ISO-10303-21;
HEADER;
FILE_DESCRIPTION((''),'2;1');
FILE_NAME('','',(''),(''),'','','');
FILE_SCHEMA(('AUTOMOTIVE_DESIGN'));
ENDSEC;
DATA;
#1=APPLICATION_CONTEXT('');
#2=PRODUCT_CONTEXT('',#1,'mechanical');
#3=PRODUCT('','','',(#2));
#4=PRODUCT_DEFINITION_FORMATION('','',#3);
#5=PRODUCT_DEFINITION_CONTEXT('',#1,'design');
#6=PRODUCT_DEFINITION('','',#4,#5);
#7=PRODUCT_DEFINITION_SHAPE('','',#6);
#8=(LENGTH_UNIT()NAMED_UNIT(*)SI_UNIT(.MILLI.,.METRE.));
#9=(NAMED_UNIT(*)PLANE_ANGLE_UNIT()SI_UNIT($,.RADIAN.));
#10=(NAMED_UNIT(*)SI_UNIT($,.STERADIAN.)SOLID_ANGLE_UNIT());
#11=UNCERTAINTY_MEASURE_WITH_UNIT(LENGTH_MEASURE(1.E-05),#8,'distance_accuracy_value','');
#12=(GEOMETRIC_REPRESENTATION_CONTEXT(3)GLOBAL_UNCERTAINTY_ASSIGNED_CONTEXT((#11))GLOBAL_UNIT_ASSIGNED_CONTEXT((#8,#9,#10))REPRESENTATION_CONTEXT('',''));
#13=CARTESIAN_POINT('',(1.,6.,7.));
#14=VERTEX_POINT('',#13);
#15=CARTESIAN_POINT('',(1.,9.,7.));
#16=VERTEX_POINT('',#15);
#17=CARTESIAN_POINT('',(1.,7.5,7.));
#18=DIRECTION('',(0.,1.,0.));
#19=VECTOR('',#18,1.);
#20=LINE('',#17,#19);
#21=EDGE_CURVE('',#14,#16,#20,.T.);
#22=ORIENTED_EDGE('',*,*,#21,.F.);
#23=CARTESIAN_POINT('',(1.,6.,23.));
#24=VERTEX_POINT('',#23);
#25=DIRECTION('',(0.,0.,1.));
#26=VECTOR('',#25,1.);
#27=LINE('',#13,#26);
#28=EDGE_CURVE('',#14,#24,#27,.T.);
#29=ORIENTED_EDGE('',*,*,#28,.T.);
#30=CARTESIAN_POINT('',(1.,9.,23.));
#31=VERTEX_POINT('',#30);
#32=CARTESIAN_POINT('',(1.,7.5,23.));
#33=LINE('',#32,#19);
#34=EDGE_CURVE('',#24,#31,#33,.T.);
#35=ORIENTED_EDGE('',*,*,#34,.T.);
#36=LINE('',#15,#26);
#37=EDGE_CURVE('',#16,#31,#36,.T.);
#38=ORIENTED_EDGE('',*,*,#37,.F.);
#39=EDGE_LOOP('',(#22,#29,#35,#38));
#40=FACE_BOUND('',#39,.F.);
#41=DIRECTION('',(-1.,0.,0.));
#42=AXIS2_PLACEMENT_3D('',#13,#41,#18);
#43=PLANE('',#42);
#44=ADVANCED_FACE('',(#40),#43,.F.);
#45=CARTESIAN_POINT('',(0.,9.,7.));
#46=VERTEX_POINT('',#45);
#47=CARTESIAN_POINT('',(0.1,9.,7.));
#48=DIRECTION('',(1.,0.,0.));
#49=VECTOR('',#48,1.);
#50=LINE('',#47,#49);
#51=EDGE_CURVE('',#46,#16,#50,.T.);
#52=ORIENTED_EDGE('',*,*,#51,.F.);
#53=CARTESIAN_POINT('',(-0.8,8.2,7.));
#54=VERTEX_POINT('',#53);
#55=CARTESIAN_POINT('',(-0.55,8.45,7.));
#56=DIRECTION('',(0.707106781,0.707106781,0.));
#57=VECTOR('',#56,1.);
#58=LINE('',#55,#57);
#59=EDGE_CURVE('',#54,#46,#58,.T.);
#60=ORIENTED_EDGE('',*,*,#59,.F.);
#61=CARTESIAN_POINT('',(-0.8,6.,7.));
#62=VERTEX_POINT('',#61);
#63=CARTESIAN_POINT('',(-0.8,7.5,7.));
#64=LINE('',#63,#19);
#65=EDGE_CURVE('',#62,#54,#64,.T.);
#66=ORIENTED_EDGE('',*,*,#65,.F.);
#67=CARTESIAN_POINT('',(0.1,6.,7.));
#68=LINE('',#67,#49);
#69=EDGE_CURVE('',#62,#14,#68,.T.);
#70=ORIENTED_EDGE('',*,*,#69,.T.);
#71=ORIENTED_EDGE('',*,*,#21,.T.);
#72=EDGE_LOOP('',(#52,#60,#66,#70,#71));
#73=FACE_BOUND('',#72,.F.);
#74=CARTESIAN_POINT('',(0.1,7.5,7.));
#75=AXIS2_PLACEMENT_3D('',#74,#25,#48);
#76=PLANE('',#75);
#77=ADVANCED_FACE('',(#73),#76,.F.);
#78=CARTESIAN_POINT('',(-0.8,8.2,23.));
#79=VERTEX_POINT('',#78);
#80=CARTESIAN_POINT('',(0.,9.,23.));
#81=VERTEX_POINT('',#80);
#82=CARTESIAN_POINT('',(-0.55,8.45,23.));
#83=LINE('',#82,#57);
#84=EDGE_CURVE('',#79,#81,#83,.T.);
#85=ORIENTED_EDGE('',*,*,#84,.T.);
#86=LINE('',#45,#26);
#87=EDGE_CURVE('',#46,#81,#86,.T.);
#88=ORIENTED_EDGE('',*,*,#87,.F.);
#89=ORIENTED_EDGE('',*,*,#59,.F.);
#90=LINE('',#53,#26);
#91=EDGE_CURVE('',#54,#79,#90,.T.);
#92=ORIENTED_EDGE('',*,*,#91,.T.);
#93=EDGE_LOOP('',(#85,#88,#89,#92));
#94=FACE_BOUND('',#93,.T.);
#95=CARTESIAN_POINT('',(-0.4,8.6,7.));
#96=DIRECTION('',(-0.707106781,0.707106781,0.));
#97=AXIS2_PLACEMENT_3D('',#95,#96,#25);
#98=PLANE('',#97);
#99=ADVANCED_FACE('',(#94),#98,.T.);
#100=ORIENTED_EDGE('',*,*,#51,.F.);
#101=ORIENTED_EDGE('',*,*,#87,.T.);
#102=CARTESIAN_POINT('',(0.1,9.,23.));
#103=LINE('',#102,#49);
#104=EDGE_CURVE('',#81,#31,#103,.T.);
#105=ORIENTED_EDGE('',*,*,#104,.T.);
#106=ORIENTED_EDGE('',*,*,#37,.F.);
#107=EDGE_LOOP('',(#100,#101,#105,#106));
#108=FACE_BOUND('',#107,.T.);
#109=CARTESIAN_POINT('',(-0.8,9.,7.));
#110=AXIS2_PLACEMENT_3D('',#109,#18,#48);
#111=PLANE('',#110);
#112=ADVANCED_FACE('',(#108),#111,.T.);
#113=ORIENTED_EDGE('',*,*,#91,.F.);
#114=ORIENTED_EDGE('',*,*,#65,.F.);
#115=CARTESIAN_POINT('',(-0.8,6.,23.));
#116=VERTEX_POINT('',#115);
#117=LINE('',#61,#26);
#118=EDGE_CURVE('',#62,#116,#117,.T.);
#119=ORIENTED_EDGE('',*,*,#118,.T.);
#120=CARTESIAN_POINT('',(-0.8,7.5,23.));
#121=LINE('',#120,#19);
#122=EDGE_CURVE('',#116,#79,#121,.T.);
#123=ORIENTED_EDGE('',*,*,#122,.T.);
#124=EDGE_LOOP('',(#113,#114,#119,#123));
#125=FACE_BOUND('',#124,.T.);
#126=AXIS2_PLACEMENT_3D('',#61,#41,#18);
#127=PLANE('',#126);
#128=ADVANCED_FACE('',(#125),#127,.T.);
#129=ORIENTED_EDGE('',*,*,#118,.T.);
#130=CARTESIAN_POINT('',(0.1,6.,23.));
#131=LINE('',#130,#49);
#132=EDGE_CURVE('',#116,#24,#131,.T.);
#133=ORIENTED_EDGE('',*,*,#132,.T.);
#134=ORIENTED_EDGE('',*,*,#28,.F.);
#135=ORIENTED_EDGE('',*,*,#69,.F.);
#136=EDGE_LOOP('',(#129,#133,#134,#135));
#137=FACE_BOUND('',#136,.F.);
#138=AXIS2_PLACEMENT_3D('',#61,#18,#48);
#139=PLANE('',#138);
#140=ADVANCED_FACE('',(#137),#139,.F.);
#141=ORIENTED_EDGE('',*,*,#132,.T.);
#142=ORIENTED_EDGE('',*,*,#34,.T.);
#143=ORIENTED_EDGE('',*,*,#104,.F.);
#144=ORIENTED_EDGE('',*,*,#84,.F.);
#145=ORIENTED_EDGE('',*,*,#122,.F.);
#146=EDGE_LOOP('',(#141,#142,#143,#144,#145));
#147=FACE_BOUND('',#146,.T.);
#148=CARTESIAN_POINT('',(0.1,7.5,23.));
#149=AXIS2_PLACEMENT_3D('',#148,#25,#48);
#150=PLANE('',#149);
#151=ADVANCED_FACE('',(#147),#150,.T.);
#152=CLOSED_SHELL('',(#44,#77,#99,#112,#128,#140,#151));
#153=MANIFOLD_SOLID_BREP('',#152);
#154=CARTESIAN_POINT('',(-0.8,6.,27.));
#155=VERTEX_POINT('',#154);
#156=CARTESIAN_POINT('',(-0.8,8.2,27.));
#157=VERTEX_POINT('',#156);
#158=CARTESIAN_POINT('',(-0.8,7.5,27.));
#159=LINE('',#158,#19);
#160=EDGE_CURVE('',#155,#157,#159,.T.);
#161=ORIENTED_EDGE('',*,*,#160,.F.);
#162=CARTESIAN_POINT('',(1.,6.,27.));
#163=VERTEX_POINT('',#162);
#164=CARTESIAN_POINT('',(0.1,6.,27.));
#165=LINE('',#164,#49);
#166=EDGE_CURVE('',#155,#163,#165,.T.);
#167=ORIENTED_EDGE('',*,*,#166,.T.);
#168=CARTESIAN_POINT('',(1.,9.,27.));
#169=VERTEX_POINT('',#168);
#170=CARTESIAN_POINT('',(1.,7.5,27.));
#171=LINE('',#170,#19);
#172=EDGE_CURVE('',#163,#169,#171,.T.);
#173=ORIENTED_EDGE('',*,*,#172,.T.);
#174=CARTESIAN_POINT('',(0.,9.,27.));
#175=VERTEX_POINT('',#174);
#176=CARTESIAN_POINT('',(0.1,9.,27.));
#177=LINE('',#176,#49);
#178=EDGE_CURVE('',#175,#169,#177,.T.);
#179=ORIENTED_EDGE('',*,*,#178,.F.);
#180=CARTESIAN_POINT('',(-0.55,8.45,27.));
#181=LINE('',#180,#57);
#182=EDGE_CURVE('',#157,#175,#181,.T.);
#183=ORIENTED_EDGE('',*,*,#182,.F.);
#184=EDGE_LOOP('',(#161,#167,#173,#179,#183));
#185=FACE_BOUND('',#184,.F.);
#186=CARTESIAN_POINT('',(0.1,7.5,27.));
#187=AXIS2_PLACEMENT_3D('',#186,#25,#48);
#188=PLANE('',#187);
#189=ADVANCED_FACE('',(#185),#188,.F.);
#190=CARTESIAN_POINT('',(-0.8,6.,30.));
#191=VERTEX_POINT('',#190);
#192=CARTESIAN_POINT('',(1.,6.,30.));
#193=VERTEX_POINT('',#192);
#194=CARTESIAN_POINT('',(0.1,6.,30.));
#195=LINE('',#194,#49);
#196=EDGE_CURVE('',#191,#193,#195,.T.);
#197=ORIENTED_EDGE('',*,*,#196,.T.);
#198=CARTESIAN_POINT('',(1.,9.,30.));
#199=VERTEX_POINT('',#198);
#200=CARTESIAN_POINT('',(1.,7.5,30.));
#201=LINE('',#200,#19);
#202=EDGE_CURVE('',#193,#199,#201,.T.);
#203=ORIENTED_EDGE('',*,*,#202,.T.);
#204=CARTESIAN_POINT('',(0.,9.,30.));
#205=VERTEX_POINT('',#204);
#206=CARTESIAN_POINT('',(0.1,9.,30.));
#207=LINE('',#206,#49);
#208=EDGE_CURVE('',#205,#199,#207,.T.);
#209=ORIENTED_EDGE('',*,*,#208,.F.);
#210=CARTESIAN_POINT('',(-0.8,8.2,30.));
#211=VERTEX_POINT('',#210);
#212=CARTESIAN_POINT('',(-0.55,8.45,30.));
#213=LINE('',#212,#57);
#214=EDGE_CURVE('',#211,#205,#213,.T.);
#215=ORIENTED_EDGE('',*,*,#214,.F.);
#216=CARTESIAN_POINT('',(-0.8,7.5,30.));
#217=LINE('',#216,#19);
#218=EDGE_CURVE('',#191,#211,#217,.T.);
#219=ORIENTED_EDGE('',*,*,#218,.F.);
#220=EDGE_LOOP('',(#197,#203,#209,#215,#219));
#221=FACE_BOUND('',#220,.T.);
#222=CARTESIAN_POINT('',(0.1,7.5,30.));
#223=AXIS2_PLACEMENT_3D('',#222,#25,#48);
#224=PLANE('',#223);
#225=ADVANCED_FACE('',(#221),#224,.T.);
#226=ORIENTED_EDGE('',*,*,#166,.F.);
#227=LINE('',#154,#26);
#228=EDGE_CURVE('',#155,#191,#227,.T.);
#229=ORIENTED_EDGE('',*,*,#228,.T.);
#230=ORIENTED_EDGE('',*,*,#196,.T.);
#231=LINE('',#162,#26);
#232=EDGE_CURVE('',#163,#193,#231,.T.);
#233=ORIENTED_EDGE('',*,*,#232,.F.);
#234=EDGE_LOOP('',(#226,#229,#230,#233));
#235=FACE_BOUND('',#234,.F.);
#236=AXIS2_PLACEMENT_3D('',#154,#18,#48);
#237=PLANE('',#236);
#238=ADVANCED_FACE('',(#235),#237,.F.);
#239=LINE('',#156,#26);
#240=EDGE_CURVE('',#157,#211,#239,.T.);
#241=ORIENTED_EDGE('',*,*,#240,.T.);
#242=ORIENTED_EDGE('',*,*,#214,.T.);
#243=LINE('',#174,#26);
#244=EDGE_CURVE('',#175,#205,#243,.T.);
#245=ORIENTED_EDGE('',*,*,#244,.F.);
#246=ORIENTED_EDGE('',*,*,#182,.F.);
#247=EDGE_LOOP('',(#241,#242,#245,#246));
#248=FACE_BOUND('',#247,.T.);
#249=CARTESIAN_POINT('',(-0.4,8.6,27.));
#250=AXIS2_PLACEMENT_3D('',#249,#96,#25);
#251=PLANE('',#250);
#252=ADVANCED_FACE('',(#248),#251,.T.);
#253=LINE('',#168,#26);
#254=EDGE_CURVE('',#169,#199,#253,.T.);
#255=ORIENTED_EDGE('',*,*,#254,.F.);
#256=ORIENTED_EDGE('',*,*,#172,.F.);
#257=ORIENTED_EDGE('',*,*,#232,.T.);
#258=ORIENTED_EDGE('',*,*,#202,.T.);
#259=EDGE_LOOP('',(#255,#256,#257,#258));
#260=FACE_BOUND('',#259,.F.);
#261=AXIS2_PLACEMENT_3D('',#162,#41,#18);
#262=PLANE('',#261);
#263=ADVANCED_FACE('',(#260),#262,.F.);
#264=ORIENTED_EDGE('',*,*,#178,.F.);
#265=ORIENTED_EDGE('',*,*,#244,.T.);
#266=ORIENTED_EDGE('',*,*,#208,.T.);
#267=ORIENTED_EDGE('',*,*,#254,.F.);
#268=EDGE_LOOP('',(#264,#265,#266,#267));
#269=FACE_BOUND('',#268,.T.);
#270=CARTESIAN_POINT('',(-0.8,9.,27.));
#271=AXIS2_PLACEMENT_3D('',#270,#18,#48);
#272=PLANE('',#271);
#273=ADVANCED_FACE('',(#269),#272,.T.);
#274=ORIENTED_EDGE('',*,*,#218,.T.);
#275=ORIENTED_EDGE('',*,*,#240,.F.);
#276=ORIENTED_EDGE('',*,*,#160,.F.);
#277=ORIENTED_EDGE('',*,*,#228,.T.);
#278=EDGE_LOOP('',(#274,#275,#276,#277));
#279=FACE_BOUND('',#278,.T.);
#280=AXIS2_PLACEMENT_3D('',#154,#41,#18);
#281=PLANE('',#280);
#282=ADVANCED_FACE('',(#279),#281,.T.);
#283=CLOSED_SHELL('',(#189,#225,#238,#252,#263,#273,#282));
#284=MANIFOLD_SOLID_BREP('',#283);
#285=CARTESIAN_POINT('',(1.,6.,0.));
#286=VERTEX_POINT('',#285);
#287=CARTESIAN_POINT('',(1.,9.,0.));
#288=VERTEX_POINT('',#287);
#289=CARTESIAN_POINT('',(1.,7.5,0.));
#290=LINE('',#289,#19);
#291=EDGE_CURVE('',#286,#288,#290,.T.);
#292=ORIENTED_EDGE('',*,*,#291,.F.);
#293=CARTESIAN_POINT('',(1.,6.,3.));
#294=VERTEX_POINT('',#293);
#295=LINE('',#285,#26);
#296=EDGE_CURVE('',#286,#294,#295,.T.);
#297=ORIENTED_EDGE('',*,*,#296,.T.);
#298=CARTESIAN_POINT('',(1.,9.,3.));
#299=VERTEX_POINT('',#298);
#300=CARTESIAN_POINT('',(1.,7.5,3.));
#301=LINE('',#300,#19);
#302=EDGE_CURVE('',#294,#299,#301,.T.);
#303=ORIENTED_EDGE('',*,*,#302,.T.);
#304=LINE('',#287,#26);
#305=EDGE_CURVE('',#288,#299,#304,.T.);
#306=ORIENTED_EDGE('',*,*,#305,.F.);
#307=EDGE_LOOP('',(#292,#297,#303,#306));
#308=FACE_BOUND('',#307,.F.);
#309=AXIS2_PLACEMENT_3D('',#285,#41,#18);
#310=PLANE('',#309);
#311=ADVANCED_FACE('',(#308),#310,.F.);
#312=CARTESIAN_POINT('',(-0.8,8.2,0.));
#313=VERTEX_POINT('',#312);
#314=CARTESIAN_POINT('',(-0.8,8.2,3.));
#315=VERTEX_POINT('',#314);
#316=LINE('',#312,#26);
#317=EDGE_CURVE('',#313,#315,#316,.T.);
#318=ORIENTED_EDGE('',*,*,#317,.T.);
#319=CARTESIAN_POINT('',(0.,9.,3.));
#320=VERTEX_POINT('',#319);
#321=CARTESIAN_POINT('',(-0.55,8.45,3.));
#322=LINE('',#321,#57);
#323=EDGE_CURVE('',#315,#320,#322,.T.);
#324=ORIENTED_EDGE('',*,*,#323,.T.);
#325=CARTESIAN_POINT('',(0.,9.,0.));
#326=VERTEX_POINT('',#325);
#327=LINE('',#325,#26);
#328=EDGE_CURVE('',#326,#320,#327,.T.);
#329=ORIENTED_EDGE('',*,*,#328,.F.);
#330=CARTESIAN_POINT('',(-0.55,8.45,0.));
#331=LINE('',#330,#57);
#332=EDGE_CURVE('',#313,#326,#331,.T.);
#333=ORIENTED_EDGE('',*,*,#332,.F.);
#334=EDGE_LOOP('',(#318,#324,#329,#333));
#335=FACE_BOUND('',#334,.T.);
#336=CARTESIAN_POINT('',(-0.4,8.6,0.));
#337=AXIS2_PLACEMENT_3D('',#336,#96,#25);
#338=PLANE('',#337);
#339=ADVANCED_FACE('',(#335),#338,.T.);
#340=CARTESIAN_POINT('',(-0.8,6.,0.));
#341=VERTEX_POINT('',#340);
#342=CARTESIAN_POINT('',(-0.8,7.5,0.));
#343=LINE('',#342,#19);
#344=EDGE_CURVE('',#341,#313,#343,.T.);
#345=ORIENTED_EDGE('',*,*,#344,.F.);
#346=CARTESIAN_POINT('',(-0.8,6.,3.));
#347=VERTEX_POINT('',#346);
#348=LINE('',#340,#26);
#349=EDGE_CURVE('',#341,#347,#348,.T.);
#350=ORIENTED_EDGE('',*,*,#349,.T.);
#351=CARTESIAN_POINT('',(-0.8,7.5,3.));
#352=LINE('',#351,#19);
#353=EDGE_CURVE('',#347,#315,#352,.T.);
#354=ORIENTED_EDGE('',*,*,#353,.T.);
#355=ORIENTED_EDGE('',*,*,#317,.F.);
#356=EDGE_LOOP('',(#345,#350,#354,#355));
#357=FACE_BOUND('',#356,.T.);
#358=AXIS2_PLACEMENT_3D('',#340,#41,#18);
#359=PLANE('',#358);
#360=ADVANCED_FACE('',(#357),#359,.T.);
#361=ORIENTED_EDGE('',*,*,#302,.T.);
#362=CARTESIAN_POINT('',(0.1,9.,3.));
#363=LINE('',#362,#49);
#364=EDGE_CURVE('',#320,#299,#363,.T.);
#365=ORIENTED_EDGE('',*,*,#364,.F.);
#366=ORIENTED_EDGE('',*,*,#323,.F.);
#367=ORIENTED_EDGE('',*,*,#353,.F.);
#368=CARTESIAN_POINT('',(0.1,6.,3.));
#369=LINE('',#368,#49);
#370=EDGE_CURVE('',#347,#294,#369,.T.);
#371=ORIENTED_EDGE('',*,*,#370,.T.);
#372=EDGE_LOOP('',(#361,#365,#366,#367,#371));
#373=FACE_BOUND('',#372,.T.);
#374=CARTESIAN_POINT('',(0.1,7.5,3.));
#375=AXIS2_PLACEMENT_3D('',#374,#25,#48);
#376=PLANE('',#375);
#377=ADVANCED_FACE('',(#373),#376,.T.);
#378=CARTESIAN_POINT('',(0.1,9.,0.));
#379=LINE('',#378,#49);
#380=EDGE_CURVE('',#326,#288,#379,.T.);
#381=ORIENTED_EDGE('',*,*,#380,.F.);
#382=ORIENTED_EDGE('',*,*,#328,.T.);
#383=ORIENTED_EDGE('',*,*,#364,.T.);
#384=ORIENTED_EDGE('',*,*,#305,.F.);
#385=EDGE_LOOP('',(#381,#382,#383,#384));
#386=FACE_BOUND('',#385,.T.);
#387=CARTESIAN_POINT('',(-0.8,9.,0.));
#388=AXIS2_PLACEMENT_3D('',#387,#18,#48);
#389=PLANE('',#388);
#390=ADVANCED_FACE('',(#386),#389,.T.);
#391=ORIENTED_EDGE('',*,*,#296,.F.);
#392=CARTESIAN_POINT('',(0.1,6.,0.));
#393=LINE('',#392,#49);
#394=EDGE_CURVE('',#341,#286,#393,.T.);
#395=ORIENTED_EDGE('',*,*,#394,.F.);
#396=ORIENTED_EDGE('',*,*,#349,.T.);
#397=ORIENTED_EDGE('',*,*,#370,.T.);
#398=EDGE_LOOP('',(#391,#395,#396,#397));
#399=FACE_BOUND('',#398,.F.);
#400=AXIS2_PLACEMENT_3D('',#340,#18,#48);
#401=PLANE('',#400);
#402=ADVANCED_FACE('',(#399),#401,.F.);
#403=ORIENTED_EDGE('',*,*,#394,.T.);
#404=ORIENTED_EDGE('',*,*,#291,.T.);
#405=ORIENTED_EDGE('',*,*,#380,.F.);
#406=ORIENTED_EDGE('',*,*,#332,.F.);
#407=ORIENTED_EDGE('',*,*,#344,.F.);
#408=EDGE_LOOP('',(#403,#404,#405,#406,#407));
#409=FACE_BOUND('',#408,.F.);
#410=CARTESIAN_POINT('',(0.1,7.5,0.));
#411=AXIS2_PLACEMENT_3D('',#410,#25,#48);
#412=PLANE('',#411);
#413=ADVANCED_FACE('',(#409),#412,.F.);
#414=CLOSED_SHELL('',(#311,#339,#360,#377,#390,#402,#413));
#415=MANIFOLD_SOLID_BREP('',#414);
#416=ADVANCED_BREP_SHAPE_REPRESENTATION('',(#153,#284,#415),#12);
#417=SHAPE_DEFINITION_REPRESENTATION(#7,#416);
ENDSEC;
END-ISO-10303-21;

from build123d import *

# Parameters (mm, degrees)
BOX001_W     = 1.8
BOX001_H     = 3
BOX001_DEPTH = 16
BOX003_W     = 1.8
BOX003_H     = 3
BOX003_DEPTH = 3
BOX002_W     = 1.8
BOX002_H     = 3
BOX002_DEPTH = 3
CHAMFER_SIZE = 0.8


with BuildPart() as cube001:
    # Box001 → Box001 (new body)
    with BuildSketch(Plane(origin=(-0.8, 6, 7), x_dir=(1, 0, 0), z_dir=(0, 0, 1))):
        with Locations((0.9, 1.5)):
            Rectangle(BOX001_W, BOX001_H)
    extrude(amount=BOX001_DEPTH)


with BuildPart() as cube003:
    # Box003 → Box003 (new body)
    with BuildSketch(Plane(origin=(-0.8, 6, 27), x_dir=(1, 0, 0), z_dir=(0, 0, 1))):
        with Locations((0.9, 1.5)):
            Rectangle(BOX003_W, BOX003_H)
    extrude(amount=BOX003_DEPTH)


with BuildPart() as chamfer_body:
    # Box002 → Box002 (new body)
    with BuildSketch(Plane(origin=(-0.8, 6, 0), x_dir=(1, 0, 0), z_dir=(0, 0, 1))):
        with Locations((0.9, 1.5)):
            Rectangle(BOX002_W, BOX002_H)
    extrude(amount=BOX002_DEPTH)

    # Fusion: union Cube001, Cube003
    add(cube001.part)
    add(cube003.part)

    # Chamfer
    chamfer_edges = [chamfer_body.edges().sort_by_distance(p)[0] for p in [
        (-0.8, 9, 1.5),
        (-0.8, 9, 15),
        (-0.8, 9, 28.5),
    ]]
    chamfer(chamfer_edges, length=CHAMFER_SIZE)


solid = chamfer_body.part
